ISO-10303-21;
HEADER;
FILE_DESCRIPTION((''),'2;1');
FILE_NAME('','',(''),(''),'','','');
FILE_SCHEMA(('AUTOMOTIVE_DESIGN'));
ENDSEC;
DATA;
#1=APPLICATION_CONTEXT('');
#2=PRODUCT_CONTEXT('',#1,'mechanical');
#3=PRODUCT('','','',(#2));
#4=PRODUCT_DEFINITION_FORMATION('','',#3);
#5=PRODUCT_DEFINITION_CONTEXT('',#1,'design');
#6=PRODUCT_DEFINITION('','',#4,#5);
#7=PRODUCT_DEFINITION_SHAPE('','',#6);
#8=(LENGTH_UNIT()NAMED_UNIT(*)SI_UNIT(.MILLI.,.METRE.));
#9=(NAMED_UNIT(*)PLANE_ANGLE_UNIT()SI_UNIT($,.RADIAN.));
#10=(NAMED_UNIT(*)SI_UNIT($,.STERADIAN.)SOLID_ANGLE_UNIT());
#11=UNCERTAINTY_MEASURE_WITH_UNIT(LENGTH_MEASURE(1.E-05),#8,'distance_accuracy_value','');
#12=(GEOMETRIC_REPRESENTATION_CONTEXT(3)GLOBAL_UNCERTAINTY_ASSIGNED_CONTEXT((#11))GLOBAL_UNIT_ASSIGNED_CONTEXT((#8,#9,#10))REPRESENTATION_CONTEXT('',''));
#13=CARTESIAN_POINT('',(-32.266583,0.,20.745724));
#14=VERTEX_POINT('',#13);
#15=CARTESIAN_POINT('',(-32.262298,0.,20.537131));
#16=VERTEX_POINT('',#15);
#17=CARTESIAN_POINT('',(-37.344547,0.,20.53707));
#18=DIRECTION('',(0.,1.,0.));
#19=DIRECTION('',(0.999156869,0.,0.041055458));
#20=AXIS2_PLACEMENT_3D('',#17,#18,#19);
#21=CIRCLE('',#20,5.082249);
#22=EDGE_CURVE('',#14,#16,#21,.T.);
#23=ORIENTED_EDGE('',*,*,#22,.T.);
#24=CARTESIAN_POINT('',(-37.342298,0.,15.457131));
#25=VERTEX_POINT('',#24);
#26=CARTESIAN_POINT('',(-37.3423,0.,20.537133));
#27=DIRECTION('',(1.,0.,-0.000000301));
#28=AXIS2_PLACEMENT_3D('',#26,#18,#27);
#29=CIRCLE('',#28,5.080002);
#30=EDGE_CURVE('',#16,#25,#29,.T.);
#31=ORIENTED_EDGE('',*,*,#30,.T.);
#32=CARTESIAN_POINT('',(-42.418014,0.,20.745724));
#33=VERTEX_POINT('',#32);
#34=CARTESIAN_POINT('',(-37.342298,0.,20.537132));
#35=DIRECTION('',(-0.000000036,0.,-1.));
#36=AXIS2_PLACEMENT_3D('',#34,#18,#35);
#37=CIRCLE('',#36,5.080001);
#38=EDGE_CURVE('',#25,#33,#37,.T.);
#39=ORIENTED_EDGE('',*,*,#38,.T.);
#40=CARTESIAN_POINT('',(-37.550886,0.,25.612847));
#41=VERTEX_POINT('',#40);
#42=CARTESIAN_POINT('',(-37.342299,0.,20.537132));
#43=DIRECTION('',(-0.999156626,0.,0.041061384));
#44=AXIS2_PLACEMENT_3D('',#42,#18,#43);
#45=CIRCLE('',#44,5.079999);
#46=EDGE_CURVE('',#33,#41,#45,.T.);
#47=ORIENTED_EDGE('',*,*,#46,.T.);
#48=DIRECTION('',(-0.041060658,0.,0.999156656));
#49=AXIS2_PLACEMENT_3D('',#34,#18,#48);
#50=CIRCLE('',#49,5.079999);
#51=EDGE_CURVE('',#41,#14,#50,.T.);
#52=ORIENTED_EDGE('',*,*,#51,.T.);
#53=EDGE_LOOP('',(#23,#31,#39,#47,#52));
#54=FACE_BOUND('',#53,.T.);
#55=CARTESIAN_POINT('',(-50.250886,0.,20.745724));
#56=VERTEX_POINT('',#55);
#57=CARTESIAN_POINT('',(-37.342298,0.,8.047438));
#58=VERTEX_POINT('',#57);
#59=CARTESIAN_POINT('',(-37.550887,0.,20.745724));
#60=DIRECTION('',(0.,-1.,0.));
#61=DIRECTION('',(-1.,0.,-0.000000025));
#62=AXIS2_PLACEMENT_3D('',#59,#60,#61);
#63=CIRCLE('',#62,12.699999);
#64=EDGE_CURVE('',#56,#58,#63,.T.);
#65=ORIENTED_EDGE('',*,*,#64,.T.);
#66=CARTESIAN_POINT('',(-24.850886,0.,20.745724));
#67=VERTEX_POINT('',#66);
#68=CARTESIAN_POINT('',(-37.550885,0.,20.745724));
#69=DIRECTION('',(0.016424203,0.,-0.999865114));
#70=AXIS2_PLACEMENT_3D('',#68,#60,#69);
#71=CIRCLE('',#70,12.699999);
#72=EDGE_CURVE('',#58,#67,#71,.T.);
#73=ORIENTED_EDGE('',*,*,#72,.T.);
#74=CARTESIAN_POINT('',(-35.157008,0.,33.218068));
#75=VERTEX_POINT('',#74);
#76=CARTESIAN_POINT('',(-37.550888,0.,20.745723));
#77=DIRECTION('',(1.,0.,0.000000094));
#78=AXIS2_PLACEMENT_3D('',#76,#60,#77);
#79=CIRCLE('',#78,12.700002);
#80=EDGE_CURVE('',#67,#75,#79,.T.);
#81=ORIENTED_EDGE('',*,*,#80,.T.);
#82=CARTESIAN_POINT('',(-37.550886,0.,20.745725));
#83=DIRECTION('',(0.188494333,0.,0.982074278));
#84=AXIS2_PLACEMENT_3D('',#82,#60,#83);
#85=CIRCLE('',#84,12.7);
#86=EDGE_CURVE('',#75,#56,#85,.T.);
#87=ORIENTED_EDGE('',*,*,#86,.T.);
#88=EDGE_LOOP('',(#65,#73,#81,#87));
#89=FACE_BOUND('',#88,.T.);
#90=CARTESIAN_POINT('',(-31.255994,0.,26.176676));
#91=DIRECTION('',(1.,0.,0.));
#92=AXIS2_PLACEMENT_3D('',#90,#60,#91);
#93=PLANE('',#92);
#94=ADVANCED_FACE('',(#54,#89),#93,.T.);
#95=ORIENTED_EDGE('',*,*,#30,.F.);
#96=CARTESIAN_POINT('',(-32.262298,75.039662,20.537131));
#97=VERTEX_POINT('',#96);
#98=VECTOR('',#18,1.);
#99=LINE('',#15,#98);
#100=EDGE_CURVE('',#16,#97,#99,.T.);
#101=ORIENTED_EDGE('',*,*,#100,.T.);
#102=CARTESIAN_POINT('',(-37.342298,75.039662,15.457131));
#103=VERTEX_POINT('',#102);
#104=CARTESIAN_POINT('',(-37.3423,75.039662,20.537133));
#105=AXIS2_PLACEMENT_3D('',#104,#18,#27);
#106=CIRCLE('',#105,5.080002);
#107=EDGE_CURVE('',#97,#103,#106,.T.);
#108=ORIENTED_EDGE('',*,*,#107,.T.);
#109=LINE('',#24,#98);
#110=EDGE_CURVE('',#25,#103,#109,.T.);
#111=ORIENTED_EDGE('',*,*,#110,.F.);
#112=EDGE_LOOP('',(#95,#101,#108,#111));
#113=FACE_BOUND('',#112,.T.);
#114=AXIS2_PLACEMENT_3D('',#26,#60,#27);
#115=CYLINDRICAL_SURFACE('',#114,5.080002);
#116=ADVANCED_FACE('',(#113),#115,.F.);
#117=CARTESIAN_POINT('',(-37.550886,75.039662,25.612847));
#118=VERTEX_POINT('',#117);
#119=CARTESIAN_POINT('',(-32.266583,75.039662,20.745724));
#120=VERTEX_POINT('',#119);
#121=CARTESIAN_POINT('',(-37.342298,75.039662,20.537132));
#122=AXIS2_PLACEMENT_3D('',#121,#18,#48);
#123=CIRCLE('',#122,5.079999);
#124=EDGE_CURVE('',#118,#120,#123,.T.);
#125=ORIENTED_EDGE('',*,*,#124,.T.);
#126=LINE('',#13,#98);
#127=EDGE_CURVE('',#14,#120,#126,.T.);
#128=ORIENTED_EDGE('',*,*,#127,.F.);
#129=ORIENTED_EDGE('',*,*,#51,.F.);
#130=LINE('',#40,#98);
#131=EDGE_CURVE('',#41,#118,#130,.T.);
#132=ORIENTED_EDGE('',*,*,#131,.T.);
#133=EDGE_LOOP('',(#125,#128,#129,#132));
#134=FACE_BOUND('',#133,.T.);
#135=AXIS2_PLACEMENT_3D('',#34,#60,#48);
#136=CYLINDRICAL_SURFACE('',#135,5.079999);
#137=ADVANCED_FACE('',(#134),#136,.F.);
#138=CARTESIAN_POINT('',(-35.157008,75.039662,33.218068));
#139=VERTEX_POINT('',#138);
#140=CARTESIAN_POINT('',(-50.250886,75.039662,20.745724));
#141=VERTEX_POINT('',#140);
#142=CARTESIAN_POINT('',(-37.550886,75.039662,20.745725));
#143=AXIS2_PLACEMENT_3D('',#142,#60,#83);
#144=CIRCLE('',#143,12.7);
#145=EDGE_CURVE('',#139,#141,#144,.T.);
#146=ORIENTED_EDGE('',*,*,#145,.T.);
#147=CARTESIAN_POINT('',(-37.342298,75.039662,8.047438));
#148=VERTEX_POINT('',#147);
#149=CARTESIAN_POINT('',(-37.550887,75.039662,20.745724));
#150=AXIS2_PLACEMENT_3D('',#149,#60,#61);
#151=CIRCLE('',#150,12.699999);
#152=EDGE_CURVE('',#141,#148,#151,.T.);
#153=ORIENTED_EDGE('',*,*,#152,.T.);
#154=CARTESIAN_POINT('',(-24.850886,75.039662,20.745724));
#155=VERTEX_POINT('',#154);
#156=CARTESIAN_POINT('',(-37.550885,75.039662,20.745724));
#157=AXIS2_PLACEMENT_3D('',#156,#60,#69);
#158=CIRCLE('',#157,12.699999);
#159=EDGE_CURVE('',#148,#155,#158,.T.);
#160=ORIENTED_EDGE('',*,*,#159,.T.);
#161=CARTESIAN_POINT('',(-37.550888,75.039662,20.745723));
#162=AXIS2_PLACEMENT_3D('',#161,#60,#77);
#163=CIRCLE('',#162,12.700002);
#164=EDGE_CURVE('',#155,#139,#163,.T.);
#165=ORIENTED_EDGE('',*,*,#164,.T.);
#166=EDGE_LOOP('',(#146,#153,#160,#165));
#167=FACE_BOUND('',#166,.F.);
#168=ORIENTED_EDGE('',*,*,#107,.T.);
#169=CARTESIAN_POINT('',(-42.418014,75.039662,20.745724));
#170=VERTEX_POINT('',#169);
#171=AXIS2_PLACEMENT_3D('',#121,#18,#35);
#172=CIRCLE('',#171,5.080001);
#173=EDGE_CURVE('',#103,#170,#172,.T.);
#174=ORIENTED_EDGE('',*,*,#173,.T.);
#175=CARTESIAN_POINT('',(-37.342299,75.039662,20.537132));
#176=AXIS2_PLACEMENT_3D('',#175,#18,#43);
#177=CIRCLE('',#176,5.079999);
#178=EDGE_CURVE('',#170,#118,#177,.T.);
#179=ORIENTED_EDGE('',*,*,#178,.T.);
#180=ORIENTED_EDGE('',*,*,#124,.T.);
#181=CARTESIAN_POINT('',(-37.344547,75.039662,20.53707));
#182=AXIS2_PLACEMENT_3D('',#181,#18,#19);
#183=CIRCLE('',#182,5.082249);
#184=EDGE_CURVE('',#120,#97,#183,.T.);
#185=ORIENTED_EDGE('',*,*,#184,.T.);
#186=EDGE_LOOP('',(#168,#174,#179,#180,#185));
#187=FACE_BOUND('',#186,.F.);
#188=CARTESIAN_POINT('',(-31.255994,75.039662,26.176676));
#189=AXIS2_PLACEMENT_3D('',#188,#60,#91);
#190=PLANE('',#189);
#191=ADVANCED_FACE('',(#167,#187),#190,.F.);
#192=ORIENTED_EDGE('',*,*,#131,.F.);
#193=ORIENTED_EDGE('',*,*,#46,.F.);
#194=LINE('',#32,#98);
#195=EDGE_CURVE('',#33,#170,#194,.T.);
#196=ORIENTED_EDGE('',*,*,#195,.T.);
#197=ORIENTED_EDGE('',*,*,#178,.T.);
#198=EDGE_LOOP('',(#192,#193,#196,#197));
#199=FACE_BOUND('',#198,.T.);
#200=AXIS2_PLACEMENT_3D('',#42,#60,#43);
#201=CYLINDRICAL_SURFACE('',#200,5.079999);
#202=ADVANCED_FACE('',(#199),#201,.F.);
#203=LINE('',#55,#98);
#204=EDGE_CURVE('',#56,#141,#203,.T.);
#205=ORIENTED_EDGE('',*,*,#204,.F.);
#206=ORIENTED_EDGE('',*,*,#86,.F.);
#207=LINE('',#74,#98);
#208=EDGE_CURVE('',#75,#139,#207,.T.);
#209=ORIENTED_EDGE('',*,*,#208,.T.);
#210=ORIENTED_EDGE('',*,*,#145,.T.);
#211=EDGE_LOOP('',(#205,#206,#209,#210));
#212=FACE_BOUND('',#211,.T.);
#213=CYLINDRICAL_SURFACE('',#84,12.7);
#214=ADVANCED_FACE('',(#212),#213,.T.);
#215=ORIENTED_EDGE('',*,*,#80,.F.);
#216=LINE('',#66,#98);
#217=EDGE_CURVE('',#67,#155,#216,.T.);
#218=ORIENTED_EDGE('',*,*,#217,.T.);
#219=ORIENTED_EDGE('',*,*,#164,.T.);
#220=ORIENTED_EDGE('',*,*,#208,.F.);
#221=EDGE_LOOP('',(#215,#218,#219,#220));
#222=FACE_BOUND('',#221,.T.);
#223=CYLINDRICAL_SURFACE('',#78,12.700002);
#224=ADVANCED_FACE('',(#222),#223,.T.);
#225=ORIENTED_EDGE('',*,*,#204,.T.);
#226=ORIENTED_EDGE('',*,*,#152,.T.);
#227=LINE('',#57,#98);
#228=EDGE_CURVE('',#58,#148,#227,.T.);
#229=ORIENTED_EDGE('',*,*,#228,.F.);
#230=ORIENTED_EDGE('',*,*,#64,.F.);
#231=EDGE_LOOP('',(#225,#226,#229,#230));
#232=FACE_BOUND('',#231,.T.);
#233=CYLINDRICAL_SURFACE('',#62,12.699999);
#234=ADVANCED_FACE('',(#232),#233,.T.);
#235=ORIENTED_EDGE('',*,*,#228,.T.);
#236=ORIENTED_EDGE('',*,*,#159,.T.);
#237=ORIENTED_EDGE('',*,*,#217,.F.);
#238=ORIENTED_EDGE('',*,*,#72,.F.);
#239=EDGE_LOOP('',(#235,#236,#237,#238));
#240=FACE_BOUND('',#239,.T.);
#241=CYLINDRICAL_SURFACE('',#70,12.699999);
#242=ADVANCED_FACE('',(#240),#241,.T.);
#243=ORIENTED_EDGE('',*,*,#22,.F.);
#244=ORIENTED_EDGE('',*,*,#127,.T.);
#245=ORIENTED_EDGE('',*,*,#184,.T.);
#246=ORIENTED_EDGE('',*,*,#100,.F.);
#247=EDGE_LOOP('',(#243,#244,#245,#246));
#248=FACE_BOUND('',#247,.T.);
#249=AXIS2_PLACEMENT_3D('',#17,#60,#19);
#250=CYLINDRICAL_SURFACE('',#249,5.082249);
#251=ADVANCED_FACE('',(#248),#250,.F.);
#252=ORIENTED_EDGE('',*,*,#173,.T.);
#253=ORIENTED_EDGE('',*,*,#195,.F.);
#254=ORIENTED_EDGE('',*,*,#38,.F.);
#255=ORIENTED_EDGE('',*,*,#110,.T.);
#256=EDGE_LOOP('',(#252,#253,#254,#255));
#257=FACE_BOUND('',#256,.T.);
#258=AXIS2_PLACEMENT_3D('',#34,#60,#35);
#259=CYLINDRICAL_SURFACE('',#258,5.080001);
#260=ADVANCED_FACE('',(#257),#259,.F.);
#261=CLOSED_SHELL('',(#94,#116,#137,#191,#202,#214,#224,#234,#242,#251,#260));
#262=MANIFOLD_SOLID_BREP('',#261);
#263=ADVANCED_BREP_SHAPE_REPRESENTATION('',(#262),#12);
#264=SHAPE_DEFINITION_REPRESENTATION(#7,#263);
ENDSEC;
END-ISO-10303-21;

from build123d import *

# Parameters (mm, degrees)
F1_DEPTH = 75.039662


with BuildPart() as f1:
    # F0 (on Front) → F1 (new body)
    with BuildSketch(Plane.XZ):
        with BuildLine():
            Line((-32.266583, 20.745724), (-24.850886, 20.745724))
            ThreePointArc((-24.850886, 20.745724), (-27.760783, 28.835463), (-35.157008, 33.218068))
            Line((-35.157008, 33.218068), (-37.550886, 25.612847))
            ThreePointArc((-37.550886, 25.612847), (-33.900721, 24.2737), (-32.266583, 20.745724))
        make_face()
        with BuildLine():
            ThreePointArc((-37.342298, 8.047438), (-28.497183, 11.839521), (-24.850886, 20.745724))
            Line((-24.850886, 20.745724), (-32.266583, 20.745724))
            ThreePointArc((-32.266583, 20.745724), (-32.26337, 20.64145), (-32.262298, 20.537131))
            ThreePointArc((-32.262298, 20.537131), (-33.750196, 16.945029), (-37.342298, 15.457131))
            Line((-37.342298, 15.457131), (-37.342298, 8.047438))
        make_face()
        with BuildLine():
            Line((-37.550886, 25.612847), (-35.157008, 33.218068))
            ThreePointArc((-35.157008, 33.218068), (-45.640625, 30.535828), (-50.250886, 20.745724))
            Line((-50.250886, 20.745724), (-42.418014, 20.745724))
            ThreePointArc((-42.418014, 20.745724), (-40.934399, 24.129236), (-37.550886, 25.612847))
        make_face()
        with BuildLine():
            ThreePointArc((-50.250886, 20.745724), (-46.45709, 11.692022), (-37.342298, 8.047438))
            Line((-37.342298, 8.047438), (-37.342298, 15.457131))
            ThreePointArc((-37.342298, 15.457131), (-41.007408, 17.019551), (-42.418014, 20.745724))
            Line((-42.418014, 20.745724), (-50.250886, 20.745724))
        make_face()
    extrude(amount=-F1_DEPTH)


solid = f1.part
